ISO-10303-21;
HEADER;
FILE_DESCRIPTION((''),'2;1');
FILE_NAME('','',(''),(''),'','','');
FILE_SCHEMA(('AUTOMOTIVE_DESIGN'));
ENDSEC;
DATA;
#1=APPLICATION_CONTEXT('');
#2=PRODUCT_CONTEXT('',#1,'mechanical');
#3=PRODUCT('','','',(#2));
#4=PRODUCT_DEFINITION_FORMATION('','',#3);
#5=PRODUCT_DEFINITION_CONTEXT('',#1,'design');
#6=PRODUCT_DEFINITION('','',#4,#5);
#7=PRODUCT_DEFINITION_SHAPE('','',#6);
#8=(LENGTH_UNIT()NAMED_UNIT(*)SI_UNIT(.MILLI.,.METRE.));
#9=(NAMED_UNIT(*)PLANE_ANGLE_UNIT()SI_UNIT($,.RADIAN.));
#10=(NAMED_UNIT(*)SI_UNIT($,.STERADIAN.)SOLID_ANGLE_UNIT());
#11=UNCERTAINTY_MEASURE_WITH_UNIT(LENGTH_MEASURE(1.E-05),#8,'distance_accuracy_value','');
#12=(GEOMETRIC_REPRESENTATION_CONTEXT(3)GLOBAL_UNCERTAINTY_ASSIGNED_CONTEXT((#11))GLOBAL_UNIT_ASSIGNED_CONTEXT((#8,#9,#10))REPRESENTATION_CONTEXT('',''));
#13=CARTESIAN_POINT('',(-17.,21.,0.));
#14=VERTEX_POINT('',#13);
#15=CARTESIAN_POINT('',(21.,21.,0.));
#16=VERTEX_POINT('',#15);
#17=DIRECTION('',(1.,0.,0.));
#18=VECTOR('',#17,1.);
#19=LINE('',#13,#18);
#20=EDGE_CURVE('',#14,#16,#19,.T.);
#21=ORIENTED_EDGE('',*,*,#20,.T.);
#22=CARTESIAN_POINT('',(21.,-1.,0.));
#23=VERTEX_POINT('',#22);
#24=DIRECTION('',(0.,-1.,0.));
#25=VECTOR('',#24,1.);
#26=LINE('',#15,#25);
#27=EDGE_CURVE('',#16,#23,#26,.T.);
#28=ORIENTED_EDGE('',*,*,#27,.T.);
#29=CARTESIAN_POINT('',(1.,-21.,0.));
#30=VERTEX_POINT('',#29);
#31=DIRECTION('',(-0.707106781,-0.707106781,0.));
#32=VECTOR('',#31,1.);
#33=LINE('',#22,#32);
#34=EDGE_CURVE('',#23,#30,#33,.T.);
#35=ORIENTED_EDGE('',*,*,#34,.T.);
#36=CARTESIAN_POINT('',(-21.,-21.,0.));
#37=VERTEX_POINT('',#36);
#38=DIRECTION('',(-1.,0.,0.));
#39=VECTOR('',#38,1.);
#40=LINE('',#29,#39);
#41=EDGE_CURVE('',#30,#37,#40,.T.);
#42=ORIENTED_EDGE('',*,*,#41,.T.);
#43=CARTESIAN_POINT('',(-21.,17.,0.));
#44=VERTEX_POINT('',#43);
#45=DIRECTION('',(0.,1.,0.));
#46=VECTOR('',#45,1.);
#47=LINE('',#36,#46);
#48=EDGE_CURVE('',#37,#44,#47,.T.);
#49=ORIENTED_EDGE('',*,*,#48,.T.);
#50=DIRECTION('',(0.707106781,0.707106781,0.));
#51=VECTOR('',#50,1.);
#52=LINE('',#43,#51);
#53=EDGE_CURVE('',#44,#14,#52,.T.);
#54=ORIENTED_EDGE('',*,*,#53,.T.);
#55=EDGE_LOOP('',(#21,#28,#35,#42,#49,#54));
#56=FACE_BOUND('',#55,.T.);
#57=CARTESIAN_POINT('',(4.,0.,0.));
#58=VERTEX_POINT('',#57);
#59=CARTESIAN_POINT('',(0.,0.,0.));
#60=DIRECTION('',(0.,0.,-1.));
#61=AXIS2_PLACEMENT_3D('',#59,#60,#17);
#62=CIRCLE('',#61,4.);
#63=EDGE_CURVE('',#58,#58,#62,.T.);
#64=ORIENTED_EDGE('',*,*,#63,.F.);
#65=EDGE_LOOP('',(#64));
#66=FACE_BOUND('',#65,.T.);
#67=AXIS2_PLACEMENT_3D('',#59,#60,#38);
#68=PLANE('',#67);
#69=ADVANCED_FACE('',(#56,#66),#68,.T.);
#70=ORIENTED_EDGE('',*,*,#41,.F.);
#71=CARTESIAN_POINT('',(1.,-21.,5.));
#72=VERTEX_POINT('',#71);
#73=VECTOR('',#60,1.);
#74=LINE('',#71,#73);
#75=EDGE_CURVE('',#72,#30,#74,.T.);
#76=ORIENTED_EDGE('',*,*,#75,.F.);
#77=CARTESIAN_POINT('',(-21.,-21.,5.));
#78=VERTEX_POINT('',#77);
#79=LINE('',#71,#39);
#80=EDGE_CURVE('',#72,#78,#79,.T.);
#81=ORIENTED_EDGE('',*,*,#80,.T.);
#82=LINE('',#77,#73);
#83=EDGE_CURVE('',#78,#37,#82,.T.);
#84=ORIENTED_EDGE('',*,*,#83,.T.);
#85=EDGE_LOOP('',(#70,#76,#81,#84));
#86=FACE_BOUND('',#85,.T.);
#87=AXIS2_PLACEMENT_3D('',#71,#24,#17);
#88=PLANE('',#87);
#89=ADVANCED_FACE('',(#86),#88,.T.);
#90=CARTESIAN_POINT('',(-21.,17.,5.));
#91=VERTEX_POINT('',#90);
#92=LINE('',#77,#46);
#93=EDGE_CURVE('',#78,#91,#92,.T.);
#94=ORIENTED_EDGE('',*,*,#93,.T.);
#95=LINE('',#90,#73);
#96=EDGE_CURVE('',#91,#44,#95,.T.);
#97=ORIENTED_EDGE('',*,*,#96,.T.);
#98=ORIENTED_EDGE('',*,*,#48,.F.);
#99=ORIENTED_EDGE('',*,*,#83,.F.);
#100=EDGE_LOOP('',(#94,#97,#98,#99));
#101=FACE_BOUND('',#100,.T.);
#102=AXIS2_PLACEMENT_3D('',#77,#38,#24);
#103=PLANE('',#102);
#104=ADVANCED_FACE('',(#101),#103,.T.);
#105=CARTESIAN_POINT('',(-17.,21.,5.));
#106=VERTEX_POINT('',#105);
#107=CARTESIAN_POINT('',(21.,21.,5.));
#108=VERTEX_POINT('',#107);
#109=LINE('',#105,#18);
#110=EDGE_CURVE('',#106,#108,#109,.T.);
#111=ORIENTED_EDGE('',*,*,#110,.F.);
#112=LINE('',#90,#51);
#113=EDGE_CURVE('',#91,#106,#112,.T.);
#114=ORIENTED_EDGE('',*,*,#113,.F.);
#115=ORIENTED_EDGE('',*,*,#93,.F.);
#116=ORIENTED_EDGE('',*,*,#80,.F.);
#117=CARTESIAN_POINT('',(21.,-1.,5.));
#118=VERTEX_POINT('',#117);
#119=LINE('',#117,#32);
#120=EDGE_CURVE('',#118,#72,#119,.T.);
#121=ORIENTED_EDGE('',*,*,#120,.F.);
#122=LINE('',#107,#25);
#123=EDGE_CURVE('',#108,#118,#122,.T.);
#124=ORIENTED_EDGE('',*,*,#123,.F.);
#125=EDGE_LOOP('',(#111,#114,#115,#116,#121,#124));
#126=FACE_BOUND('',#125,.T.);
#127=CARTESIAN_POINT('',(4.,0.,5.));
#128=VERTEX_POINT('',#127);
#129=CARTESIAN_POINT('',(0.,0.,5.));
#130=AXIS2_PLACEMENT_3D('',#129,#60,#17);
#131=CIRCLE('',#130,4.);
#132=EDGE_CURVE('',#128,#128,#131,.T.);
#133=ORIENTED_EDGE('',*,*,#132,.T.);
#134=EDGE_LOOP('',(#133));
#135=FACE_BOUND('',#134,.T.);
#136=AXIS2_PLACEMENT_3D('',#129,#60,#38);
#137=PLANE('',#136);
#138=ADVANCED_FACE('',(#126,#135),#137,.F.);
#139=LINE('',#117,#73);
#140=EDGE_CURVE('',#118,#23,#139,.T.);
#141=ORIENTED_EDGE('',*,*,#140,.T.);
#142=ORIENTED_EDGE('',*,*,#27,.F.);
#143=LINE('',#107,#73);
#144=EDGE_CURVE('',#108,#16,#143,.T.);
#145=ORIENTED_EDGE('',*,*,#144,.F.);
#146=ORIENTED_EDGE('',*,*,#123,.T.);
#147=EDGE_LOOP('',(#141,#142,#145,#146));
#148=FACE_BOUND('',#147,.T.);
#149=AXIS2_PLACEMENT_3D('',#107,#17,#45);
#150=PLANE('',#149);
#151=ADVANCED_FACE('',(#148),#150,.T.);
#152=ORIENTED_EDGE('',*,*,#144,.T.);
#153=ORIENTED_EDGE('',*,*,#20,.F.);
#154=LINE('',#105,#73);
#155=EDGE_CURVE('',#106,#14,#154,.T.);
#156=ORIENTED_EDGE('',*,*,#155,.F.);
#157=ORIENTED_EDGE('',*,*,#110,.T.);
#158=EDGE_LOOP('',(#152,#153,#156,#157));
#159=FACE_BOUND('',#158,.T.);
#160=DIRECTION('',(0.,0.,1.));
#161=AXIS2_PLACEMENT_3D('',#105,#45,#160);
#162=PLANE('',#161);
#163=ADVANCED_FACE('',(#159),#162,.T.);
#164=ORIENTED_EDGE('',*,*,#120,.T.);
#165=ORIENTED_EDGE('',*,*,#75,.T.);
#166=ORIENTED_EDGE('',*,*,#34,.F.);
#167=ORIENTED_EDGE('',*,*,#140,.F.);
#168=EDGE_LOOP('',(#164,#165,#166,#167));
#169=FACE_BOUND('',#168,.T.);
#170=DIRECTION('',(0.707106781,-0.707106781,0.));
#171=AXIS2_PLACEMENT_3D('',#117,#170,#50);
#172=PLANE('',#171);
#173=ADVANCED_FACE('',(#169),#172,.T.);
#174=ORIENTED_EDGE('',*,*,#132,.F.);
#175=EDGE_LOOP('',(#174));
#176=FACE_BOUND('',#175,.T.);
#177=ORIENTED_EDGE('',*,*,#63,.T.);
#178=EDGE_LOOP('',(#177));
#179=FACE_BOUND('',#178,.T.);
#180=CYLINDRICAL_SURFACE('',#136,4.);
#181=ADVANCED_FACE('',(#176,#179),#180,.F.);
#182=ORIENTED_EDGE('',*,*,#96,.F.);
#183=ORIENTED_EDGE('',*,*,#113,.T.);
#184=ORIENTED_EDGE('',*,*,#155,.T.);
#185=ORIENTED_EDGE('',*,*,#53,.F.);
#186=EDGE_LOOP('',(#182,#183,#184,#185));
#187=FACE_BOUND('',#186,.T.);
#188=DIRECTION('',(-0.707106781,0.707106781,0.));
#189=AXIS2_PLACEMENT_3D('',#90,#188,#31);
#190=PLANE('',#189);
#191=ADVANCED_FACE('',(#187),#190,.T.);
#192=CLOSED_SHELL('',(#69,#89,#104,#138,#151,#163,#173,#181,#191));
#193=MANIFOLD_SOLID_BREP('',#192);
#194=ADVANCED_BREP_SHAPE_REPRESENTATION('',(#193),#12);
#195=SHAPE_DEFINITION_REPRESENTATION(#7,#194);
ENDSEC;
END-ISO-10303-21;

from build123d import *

# Parameters (mm, degrees)
SKETCH1_R           = 4
BOSS_EXTRUDE1_DEPTH = 5


with BuildPart() as part:
    # Sketch1 → Boss-Extrude1 (new body)
    with BuildSketch(Plane(origin=(0, 0, 0), x_dir=(-1, 0, 0), z_dir=(0, 0, -1))):
        Polygon((-21, -1), (-1, -21), (21, -21), (21, 17), (17, 21), (-21, 21), align=None)
        with Locations(Location((0, 0, 0), (0, 0, 180))):
            Circle(SKETCH1_R, mode=Mode.SUBTRACT)
    extrude(amount=-BOSS_EXTRUDE1_DEPTH)


solid = part.part
